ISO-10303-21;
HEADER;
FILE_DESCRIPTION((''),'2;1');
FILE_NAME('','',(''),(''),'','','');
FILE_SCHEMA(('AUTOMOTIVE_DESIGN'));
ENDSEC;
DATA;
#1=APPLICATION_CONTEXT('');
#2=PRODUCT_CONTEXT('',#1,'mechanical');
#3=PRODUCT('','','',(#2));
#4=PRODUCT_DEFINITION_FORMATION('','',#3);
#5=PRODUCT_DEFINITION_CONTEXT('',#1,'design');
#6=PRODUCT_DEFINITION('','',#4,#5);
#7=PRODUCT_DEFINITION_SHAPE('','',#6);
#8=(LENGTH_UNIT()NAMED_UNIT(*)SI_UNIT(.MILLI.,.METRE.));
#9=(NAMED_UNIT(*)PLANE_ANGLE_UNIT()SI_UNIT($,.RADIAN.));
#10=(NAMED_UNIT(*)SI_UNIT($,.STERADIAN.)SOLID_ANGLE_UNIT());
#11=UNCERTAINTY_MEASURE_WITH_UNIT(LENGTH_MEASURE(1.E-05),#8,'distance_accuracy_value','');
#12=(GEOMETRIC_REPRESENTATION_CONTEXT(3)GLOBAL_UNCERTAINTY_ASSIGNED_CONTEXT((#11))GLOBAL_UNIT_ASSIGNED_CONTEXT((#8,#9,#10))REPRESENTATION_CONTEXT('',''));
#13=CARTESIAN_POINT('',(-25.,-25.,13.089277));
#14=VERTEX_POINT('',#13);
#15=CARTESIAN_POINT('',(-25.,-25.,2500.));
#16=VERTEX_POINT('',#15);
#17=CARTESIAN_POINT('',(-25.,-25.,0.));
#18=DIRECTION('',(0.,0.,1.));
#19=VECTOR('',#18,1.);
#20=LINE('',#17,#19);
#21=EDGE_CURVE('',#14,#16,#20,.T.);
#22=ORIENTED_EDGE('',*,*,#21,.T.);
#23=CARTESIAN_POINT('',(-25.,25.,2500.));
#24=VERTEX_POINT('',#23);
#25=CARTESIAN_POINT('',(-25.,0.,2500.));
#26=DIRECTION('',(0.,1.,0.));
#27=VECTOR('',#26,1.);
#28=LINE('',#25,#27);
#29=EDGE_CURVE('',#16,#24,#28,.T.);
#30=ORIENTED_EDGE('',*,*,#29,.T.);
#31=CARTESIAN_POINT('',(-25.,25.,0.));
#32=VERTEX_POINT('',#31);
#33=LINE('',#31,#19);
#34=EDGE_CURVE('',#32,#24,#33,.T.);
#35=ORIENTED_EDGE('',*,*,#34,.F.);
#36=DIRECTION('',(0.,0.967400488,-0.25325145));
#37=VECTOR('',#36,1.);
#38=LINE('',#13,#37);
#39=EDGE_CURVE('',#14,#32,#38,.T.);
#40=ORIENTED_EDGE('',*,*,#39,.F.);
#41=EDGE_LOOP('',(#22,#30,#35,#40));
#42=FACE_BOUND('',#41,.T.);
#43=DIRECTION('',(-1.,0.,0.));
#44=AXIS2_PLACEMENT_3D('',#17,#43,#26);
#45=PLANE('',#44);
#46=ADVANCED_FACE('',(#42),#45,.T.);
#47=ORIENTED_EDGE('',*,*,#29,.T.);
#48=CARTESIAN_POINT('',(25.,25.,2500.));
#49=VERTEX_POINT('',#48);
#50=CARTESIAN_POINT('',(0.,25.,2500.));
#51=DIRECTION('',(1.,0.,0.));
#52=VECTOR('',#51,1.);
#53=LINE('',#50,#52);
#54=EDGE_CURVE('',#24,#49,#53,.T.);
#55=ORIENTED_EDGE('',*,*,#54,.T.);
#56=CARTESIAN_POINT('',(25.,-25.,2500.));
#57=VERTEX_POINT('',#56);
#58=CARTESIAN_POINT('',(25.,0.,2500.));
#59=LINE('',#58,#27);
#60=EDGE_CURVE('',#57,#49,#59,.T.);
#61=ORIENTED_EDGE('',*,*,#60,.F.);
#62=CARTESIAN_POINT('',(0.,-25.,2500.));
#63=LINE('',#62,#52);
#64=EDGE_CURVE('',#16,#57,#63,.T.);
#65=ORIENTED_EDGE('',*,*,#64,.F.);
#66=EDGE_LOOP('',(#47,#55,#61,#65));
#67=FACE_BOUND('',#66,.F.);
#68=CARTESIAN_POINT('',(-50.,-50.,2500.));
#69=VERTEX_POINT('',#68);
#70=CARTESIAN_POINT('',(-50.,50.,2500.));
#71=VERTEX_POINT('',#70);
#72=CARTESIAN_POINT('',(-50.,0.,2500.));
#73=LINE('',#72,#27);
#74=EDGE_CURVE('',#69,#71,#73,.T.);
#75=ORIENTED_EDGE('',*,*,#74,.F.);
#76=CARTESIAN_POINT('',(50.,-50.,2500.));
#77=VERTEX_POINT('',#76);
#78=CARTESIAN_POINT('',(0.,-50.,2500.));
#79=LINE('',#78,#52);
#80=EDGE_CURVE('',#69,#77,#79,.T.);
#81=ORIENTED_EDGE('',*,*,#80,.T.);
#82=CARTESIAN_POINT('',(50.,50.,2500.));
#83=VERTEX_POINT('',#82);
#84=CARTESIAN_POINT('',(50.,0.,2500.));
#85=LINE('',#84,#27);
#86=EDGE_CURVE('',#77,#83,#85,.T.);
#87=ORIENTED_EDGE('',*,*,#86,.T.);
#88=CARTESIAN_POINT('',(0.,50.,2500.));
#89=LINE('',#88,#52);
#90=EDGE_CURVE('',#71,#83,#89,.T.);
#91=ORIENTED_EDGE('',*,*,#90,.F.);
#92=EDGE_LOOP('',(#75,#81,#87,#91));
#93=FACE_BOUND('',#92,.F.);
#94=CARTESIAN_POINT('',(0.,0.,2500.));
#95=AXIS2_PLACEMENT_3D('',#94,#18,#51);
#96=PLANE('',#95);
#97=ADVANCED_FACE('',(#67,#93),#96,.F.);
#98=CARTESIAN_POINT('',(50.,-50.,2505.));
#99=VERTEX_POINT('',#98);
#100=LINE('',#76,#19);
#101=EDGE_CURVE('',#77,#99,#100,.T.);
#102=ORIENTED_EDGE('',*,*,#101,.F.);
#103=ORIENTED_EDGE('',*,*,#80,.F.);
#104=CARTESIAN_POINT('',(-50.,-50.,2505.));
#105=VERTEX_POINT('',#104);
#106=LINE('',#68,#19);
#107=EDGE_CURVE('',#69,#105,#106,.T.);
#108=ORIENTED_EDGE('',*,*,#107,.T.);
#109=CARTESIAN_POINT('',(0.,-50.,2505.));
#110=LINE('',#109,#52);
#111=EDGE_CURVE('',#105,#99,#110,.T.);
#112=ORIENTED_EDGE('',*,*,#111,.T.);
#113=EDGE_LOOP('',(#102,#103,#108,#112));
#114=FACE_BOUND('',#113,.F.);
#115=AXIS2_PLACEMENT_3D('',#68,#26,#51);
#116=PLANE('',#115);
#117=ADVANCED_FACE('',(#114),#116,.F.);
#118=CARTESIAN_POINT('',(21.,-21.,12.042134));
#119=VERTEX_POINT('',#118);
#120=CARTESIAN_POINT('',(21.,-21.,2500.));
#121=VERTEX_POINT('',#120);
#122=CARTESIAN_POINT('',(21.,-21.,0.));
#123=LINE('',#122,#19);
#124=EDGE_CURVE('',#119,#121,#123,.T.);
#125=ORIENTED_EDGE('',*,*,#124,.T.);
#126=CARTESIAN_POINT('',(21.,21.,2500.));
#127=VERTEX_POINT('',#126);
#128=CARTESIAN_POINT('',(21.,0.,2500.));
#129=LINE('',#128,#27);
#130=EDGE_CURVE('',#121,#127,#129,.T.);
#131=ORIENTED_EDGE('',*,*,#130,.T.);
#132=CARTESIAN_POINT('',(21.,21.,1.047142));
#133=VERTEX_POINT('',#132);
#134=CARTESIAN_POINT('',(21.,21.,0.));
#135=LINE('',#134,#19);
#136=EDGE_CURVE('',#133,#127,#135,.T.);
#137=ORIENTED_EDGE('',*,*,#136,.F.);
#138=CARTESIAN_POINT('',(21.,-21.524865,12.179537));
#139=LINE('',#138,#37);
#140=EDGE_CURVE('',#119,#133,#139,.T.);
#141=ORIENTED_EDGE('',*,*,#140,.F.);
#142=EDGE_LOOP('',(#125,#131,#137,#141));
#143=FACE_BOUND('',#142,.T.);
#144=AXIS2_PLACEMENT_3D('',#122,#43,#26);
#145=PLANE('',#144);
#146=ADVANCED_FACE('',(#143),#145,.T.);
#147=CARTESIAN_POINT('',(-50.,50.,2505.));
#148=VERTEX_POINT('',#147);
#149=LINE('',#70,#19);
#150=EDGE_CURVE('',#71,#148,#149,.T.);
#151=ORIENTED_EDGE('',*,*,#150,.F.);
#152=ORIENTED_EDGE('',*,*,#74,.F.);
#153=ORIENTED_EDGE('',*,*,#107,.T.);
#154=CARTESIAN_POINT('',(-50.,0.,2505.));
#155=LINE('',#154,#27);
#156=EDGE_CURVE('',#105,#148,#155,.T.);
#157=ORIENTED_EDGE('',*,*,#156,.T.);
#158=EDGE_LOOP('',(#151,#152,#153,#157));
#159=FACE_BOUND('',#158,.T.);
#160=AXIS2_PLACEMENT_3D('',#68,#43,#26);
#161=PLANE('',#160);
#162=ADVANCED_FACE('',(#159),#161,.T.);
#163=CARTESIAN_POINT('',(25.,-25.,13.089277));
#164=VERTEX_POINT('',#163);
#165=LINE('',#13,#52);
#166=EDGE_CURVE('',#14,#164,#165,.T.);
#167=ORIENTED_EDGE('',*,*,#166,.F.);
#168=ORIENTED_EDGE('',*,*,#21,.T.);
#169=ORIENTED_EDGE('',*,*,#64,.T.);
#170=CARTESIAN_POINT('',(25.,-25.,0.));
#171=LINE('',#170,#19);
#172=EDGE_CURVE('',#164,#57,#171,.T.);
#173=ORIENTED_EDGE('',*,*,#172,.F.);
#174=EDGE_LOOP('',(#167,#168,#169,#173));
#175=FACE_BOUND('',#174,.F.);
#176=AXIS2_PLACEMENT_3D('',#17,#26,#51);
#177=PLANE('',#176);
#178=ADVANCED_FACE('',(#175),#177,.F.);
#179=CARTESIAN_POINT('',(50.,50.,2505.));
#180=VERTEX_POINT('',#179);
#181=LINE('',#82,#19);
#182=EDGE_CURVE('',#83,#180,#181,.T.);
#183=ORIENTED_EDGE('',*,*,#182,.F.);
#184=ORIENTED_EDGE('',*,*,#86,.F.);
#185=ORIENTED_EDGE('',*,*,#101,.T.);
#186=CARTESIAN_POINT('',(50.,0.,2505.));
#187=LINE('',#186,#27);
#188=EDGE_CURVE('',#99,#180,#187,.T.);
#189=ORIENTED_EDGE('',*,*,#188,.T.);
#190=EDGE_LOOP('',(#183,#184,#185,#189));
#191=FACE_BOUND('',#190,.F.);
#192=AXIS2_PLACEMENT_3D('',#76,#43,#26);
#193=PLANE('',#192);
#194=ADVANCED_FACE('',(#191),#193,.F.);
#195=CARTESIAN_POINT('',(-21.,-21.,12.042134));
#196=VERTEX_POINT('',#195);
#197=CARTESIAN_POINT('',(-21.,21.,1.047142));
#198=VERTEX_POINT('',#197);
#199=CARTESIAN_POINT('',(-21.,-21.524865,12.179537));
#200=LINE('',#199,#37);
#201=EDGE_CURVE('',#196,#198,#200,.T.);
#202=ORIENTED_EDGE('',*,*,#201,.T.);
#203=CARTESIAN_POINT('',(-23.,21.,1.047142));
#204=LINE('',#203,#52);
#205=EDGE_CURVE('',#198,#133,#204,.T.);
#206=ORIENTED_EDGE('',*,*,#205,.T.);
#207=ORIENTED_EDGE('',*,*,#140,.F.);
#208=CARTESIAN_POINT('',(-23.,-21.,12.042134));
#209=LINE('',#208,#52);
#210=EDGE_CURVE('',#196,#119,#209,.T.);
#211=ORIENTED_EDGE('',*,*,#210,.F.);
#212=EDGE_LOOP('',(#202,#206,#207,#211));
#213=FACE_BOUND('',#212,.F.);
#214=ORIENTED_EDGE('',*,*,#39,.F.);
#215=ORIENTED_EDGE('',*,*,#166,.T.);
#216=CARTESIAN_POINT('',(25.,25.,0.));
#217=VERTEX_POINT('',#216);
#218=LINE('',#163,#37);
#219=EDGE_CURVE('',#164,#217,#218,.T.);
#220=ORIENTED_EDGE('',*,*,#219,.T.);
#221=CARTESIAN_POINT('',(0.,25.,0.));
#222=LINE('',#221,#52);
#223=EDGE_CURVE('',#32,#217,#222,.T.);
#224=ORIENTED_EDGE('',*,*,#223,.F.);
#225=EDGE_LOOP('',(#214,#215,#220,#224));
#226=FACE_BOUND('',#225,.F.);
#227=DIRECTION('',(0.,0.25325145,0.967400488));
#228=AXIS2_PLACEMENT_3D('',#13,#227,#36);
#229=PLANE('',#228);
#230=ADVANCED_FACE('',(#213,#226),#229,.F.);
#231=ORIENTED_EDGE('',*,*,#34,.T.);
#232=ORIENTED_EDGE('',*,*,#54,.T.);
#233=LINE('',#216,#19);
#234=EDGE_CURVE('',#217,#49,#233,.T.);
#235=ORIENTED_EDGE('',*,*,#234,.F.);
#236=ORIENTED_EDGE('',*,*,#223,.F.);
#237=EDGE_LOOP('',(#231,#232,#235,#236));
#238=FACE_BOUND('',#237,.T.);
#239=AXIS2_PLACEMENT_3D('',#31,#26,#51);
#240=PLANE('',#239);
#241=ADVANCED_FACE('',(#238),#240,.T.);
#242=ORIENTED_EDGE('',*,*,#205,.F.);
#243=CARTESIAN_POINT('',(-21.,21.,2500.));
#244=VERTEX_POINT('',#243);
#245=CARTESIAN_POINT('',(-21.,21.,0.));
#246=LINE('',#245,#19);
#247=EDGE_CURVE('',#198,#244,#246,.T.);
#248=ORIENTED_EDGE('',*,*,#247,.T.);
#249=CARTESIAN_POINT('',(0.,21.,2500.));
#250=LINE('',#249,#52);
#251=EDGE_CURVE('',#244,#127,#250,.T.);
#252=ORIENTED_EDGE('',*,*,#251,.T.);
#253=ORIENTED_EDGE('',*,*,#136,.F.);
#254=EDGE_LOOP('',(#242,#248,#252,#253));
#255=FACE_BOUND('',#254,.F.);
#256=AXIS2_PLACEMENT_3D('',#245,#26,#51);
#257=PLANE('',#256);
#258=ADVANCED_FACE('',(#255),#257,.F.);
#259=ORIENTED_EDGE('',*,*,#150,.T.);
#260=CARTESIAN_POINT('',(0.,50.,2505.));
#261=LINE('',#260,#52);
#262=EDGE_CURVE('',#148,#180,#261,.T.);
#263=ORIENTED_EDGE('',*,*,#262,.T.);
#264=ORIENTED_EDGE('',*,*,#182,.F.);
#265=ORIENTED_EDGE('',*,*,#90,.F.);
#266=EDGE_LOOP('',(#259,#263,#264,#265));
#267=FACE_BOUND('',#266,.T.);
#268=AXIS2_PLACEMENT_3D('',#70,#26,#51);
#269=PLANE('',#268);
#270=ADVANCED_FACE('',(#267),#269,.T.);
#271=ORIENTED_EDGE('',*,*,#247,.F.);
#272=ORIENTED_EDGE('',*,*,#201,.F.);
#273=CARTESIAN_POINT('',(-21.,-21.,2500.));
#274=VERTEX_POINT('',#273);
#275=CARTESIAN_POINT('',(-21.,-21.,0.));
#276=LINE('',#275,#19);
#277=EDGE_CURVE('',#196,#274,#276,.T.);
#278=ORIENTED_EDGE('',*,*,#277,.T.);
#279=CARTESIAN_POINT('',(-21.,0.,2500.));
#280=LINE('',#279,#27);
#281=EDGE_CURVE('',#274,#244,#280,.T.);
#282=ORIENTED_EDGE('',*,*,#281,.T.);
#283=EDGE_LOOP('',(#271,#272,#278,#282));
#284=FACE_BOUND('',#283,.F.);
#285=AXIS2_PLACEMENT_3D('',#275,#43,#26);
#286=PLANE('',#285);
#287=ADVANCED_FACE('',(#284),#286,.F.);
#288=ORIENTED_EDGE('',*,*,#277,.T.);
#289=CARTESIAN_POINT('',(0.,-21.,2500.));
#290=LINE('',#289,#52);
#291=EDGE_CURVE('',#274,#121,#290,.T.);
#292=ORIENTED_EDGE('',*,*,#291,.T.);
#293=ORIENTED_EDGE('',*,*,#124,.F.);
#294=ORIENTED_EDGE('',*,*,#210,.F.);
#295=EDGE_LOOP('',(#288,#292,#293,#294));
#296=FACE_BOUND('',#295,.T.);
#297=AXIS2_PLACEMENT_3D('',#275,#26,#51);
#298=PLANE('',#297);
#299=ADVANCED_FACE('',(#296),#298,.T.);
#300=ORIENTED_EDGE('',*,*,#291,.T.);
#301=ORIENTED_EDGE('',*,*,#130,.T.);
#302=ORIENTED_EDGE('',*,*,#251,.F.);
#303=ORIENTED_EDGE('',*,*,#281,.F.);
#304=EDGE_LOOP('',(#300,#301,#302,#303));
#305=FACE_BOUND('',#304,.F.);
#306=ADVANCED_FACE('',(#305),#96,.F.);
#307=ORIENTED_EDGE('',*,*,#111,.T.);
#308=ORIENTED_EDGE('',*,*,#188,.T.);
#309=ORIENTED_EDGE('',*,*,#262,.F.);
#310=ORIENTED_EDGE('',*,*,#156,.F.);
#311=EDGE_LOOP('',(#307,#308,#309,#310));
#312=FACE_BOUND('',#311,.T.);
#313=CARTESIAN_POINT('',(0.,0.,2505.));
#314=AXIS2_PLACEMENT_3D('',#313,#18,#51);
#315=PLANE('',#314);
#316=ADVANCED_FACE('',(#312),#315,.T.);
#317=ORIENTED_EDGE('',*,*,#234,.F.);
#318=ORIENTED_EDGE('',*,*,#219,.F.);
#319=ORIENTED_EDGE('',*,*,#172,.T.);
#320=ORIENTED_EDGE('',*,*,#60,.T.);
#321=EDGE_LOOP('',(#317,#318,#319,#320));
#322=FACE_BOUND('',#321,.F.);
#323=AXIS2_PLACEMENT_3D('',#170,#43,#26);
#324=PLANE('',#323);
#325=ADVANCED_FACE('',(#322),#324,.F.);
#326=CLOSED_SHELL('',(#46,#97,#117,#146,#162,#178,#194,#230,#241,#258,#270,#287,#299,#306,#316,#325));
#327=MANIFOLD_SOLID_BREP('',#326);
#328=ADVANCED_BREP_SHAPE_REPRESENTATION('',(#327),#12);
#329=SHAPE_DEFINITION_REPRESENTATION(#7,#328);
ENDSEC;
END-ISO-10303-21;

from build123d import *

# Parameters (mm, degrees)
F0_W     = 50
F0_H     = 50
F0_W_2   = 42
F0_H_2   = 42
F1_DEPTH = 2500
F2_W     = 100
F2_H     = 100
F2_W_2   = 50
F2_H_2   = 50
F2_W_3   = 42
F2_H_3   = 42
F3_DEPTH = 5
F5_DEPTH = 50


with BuildPart() as f1:
    # F0 (on Top) → F1 (new body)
    with BuildSketch(Plane.XY):
        Rectangle(F0_W, F0_H)
        Rectangle(F0_W_2, F0_H_2, mode=Mode.SUBTRACT)
    extrude(amount=F1_DEPTH)

    # F2 (on face) → F3 (join)
    with BuildSketch(Plane.XY.offset(2500)):
        Rectangle(F2_W, F2_H)
        Rectangle(F2_W_2, F2_H_2, mode=Mode.SUBTRACT)
        Rectangle(F2_W_2, F2_H_2)
        Rectangle(F2_W_3, F2_H_3, mode=Mode.SUBTRACT)
        Rectangle(F2_W_3, F2_H_3)
    extrude(amount=F3_DEPTH)

    # F4 (on face) → F5 (cut)
    with BuildSketch(Plane(origin=(-25, 0, 0), x_dir=(0, -1, 0), z_dir=(-1, 0, 0))):
        Polygon((25, 13.0892765136), (-25, 0), (25, 0), align=None)
    extrude(amount=-F5_DEPTH, mode=Mode.SUBTRACT)


solid = f1.part
